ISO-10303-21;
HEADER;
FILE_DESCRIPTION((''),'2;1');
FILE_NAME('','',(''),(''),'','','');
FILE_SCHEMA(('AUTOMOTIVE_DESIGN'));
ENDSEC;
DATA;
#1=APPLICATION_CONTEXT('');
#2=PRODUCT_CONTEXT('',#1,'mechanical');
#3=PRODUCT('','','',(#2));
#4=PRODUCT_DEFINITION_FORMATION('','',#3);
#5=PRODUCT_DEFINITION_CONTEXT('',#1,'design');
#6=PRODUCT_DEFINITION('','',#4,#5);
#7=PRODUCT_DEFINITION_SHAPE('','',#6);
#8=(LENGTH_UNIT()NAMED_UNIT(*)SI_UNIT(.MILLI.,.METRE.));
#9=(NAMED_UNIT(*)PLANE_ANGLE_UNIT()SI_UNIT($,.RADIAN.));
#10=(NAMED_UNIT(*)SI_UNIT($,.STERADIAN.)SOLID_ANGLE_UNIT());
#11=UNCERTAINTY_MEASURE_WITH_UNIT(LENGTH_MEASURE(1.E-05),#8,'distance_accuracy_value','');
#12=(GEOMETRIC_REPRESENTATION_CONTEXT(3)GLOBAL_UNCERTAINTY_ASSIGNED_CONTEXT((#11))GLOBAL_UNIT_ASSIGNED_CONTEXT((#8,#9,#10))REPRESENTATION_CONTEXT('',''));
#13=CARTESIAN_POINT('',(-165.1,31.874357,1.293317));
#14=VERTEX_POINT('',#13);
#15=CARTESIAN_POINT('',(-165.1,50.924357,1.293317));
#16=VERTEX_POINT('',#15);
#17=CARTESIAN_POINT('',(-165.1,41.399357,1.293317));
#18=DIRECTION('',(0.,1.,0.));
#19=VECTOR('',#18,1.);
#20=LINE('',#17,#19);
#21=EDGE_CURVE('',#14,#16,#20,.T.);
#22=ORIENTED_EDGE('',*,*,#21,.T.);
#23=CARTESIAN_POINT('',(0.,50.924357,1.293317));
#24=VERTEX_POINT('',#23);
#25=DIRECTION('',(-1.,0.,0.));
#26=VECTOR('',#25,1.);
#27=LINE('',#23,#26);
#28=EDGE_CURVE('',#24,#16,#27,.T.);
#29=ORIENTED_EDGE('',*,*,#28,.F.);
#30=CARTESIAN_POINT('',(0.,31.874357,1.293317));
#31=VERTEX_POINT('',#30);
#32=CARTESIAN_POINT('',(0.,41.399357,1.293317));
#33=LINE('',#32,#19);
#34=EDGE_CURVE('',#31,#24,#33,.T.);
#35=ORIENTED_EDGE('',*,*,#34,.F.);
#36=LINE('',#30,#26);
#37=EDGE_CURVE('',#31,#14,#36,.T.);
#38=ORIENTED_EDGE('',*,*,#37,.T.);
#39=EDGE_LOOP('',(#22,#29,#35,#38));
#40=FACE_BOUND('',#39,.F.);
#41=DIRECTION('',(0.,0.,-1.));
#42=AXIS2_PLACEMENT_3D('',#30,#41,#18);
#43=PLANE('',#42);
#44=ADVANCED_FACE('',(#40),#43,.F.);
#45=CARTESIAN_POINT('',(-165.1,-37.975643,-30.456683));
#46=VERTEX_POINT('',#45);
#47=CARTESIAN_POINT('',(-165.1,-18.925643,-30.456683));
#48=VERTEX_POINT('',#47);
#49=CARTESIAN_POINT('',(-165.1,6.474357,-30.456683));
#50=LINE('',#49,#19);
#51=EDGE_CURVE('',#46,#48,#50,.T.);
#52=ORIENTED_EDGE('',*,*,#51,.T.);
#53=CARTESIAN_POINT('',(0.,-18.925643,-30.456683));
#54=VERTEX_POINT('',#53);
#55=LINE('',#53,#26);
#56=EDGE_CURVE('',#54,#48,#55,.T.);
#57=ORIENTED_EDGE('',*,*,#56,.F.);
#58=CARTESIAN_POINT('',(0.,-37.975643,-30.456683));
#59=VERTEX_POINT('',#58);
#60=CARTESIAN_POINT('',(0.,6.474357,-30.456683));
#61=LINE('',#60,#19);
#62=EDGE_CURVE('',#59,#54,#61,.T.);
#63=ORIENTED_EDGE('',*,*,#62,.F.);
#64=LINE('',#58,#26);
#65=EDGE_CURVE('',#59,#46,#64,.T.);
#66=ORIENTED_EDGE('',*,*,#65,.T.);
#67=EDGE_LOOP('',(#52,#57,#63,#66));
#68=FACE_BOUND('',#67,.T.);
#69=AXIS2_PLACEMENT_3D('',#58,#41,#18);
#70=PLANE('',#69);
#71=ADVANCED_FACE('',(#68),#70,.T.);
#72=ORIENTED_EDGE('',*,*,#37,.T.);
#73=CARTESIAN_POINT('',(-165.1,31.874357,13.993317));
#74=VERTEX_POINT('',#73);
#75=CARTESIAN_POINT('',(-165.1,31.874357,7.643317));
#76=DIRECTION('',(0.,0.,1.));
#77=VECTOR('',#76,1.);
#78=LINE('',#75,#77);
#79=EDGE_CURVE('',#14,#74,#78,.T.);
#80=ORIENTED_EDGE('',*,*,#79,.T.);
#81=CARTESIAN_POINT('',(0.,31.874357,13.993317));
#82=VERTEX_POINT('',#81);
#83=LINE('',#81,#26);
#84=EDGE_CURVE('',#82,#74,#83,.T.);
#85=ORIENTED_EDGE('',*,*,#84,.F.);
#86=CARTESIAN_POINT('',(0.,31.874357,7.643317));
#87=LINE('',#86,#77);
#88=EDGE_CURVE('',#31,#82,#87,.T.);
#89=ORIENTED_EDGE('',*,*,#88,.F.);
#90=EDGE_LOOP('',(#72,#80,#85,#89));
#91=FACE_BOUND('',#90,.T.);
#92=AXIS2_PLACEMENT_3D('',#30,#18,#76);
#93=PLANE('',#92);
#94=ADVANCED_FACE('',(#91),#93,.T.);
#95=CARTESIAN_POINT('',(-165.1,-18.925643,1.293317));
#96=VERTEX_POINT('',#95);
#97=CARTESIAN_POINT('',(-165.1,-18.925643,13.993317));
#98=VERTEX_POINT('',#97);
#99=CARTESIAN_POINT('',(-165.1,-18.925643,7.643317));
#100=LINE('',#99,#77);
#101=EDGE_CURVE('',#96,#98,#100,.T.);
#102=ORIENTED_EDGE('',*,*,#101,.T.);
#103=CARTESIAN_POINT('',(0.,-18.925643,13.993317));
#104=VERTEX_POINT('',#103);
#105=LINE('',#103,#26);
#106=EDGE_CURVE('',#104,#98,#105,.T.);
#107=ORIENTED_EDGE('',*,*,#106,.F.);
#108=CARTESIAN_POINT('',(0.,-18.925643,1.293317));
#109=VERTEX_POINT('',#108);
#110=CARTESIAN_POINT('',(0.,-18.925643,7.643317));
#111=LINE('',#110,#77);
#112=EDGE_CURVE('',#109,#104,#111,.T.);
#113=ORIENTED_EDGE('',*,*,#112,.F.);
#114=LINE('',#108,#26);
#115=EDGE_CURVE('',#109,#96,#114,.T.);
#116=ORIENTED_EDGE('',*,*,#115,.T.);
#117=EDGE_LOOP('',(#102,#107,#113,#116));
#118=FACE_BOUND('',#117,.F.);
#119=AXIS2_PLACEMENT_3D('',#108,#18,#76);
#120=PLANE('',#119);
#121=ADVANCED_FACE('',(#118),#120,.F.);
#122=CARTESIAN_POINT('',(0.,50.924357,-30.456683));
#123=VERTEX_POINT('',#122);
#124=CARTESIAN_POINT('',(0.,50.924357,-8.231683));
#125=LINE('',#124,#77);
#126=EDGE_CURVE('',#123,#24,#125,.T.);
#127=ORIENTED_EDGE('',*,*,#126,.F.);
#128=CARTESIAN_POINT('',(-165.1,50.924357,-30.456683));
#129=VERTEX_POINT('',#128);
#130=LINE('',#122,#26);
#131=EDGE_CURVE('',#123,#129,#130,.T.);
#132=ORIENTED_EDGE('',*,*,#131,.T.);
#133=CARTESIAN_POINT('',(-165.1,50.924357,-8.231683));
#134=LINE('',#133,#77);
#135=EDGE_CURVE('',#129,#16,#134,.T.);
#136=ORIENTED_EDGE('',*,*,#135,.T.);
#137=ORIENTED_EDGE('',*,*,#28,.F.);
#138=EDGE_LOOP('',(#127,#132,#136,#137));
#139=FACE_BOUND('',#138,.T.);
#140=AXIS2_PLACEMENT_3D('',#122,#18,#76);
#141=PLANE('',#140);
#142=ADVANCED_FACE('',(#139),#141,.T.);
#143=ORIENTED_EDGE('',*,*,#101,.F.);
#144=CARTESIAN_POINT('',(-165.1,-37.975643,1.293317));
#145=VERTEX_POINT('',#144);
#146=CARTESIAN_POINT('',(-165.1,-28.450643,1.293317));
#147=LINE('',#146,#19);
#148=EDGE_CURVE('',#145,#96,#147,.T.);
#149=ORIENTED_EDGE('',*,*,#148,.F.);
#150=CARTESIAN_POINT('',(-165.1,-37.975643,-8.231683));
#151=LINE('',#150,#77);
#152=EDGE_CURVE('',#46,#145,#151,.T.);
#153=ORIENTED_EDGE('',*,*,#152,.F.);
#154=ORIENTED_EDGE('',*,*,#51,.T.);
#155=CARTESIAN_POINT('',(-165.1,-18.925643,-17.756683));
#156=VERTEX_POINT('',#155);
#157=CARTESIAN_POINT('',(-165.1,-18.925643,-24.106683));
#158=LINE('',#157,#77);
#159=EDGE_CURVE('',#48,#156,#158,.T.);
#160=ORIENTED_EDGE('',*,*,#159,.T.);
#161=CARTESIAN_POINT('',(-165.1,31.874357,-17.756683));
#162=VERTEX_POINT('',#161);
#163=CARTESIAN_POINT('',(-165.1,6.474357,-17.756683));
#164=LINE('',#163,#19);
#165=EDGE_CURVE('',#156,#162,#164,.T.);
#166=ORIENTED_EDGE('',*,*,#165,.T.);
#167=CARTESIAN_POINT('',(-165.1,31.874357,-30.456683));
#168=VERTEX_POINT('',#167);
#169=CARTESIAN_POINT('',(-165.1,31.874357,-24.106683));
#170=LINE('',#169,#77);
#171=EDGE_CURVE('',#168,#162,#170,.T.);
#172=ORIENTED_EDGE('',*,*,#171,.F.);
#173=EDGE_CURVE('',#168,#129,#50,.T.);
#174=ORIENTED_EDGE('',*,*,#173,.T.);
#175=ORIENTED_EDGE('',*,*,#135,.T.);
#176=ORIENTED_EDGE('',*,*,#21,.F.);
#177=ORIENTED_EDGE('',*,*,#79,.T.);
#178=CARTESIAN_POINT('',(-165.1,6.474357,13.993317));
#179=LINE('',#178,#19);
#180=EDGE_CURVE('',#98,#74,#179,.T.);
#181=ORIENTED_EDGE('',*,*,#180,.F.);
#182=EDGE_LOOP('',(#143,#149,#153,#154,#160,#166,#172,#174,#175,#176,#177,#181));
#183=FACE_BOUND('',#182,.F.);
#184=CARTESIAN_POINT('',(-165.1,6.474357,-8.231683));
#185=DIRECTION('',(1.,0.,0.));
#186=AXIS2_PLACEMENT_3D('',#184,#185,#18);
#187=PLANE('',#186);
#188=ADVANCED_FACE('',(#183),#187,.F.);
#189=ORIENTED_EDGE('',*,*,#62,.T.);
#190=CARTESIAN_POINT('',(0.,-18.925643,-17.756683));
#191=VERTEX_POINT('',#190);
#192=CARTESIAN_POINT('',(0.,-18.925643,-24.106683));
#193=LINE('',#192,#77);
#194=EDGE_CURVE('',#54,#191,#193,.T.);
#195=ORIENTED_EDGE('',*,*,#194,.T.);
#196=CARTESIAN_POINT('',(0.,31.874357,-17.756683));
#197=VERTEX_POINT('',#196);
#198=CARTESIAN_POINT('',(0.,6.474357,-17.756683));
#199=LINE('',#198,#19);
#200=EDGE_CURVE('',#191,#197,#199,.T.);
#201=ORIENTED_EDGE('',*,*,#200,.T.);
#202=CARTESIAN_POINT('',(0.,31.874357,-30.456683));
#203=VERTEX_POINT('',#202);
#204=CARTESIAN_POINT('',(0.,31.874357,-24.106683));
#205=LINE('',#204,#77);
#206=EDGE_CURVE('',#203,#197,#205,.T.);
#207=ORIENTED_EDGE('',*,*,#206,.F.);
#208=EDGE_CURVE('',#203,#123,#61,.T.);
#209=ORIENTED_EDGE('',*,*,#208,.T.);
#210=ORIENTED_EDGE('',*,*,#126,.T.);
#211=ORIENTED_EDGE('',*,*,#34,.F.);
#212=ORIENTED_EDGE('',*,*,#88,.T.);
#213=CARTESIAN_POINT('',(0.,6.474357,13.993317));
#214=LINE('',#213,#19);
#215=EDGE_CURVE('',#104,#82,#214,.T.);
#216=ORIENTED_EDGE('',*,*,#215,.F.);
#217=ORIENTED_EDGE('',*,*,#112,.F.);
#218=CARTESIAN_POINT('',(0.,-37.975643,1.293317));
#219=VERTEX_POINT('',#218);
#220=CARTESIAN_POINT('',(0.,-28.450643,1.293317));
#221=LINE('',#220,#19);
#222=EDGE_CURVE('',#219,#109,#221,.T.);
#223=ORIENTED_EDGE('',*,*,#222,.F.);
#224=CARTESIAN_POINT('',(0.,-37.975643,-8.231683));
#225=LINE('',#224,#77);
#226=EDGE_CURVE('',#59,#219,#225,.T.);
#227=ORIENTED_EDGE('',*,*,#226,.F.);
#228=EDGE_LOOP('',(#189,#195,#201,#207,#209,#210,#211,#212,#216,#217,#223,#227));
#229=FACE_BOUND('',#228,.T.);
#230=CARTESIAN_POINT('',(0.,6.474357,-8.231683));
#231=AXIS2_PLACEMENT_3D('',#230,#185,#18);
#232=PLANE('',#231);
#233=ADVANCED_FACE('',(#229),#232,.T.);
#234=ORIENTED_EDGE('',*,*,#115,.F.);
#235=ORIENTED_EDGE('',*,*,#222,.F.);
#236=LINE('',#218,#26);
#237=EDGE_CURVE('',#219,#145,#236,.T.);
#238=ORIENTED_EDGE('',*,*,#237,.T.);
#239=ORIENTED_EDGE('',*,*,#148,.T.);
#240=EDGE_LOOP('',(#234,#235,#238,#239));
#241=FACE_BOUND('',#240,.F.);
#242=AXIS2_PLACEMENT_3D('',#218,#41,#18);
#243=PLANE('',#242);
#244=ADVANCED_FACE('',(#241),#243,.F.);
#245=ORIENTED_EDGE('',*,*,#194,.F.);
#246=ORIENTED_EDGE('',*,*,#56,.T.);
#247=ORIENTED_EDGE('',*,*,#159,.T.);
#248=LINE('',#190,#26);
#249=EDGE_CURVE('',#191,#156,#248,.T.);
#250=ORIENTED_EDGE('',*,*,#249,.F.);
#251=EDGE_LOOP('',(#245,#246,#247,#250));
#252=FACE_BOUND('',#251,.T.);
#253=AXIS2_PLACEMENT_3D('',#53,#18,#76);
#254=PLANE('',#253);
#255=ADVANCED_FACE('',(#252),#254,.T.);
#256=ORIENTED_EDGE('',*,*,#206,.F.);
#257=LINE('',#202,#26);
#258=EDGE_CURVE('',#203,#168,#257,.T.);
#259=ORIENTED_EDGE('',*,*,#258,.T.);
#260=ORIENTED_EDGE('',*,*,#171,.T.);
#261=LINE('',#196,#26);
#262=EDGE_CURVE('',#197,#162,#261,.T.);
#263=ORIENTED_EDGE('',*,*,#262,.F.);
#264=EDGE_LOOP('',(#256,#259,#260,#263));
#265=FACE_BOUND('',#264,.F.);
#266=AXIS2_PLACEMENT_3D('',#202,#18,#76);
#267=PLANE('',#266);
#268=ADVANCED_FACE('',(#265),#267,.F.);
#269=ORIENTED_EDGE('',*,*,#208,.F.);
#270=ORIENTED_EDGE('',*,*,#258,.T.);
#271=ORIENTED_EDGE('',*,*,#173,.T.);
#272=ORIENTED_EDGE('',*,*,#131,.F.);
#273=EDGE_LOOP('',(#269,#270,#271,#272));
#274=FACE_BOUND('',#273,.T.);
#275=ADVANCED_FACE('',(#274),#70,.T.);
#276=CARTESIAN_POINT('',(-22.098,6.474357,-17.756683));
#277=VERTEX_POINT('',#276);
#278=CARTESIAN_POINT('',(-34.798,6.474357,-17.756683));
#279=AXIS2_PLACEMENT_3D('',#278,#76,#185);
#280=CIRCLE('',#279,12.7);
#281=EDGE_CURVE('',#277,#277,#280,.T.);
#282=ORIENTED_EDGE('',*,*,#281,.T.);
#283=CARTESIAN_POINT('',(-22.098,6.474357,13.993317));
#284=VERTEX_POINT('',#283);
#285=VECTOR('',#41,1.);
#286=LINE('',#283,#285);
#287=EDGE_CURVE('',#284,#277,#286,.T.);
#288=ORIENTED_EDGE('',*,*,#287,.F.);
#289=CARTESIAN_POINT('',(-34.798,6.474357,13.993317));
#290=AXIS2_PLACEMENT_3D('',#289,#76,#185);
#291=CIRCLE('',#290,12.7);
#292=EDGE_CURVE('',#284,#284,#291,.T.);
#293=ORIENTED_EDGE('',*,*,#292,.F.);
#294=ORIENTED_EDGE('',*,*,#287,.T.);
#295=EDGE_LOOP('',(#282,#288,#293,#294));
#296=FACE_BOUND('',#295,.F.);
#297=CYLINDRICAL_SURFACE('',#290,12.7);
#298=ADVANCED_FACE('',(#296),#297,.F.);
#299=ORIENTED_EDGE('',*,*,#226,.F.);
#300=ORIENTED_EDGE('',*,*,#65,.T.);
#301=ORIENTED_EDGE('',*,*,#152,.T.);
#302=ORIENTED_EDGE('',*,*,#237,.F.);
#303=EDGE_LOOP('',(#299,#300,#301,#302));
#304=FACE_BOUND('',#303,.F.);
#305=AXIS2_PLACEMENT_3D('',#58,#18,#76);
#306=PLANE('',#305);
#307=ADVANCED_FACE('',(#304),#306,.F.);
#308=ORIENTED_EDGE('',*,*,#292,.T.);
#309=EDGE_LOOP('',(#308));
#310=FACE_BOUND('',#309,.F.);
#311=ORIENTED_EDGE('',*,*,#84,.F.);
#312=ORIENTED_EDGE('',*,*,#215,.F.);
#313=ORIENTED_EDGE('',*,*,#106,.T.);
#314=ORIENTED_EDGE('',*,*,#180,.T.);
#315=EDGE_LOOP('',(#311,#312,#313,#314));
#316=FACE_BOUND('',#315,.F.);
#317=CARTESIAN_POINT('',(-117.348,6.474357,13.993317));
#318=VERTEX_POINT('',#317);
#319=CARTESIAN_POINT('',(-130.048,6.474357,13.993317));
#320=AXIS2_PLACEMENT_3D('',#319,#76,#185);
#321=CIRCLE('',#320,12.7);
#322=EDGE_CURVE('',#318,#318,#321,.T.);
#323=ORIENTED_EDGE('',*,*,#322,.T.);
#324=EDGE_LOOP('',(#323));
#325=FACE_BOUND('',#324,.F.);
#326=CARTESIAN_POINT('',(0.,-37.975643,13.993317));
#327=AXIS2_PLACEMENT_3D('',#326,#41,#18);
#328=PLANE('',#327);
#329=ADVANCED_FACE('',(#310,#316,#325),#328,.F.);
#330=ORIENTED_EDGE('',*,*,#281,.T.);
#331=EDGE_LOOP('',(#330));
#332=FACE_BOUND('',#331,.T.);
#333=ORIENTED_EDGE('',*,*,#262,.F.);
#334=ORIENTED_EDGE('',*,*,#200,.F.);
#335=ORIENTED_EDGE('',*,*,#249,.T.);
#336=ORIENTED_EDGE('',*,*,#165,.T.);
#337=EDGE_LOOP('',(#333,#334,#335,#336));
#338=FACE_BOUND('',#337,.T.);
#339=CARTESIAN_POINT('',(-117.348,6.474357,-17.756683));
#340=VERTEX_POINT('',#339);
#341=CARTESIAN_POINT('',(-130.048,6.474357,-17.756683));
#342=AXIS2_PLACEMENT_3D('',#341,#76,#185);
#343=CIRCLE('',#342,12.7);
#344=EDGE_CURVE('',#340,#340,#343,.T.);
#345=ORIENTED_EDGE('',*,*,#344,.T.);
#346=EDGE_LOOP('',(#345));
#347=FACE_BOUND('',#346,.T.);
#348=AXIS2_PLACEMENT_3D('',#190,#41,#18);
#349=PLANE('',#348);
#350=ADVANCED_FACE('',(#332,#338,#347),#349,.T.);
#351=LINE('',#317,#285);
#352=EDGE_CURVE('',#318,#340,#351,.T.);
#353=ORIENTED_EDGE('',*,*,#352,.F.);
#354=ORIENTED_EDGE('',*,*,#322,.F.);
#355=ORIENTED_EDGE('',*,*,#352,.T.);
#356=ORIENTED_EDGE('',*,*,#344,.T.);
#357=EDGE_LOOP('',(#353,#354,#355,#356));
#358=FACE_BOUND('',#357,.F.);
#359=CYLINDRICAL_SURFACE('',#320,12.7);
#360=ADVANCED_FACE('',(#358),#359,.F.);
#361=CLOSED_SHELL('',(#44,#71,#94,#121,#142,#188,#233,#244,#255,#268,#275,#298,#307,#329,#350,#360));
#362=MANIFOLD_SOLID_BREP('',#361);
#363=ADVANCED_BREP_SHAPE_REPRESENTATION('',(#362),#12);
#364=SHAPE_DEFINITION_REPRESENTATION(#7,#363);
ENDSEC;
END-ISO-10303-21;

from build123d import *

# Parameters (mm, degrees)
F0_W     = 88.9
F0_H     = 44.45
F1_DEPTH = 165.1
F2_W     = 50.8
F2_H     = 12.7
F3_DEPTH = 165.1
F4_W     = 19.05
F4_H     = 12.7
F5_DEPTH = 165.1
F6_R     = 12.7
F7_DEPTH = 44.45


with BuildPart() as f1:
    # F0 (on Right) → F1 (new body)
    with BuildSketch(Plane.YZ):
        with Locations((6.474357, -8.231683)):
            Rectangle(F0_W, F0_H)
    extrude(amount=-F1_DEPTH)

    # F2 (on face) → F3 (cut)
    with BuildSketch(Plane.YZ):
        with Locations((6.474357, -24.106683)):
            Rectangle(F2_W, F2_H)
    extrude(amount=-F3_DEPTH, mode=Mode.SUBTRACT)

    # F4 (on face) → F5 (cut)
    with BuildSketch(Plane.YZ):
        with Locations((41.399357, 7.643317)):
            Rectangle(F4_W, F4_H)
        with Locations((-28.450643, 7.643317)):
            Rectangle(F4_W, F4_H)
    extrude(amount=-F5_DEPTH, mode=Mode.SUBTRACT)

    # F6 (on face) → F7 (cut)
    with BuildSketch(Plane.XY.offset(13.993317)):
        with Locations((-130.048, 6.474357)):
            Circle(F6_R)
        with Locations((-34.798, 6.474357)):
            Circle(F6_R)
    extrude(amount=-F7_DEPTH, mode=Mode.SUBTRACT)


solid = f1.part
